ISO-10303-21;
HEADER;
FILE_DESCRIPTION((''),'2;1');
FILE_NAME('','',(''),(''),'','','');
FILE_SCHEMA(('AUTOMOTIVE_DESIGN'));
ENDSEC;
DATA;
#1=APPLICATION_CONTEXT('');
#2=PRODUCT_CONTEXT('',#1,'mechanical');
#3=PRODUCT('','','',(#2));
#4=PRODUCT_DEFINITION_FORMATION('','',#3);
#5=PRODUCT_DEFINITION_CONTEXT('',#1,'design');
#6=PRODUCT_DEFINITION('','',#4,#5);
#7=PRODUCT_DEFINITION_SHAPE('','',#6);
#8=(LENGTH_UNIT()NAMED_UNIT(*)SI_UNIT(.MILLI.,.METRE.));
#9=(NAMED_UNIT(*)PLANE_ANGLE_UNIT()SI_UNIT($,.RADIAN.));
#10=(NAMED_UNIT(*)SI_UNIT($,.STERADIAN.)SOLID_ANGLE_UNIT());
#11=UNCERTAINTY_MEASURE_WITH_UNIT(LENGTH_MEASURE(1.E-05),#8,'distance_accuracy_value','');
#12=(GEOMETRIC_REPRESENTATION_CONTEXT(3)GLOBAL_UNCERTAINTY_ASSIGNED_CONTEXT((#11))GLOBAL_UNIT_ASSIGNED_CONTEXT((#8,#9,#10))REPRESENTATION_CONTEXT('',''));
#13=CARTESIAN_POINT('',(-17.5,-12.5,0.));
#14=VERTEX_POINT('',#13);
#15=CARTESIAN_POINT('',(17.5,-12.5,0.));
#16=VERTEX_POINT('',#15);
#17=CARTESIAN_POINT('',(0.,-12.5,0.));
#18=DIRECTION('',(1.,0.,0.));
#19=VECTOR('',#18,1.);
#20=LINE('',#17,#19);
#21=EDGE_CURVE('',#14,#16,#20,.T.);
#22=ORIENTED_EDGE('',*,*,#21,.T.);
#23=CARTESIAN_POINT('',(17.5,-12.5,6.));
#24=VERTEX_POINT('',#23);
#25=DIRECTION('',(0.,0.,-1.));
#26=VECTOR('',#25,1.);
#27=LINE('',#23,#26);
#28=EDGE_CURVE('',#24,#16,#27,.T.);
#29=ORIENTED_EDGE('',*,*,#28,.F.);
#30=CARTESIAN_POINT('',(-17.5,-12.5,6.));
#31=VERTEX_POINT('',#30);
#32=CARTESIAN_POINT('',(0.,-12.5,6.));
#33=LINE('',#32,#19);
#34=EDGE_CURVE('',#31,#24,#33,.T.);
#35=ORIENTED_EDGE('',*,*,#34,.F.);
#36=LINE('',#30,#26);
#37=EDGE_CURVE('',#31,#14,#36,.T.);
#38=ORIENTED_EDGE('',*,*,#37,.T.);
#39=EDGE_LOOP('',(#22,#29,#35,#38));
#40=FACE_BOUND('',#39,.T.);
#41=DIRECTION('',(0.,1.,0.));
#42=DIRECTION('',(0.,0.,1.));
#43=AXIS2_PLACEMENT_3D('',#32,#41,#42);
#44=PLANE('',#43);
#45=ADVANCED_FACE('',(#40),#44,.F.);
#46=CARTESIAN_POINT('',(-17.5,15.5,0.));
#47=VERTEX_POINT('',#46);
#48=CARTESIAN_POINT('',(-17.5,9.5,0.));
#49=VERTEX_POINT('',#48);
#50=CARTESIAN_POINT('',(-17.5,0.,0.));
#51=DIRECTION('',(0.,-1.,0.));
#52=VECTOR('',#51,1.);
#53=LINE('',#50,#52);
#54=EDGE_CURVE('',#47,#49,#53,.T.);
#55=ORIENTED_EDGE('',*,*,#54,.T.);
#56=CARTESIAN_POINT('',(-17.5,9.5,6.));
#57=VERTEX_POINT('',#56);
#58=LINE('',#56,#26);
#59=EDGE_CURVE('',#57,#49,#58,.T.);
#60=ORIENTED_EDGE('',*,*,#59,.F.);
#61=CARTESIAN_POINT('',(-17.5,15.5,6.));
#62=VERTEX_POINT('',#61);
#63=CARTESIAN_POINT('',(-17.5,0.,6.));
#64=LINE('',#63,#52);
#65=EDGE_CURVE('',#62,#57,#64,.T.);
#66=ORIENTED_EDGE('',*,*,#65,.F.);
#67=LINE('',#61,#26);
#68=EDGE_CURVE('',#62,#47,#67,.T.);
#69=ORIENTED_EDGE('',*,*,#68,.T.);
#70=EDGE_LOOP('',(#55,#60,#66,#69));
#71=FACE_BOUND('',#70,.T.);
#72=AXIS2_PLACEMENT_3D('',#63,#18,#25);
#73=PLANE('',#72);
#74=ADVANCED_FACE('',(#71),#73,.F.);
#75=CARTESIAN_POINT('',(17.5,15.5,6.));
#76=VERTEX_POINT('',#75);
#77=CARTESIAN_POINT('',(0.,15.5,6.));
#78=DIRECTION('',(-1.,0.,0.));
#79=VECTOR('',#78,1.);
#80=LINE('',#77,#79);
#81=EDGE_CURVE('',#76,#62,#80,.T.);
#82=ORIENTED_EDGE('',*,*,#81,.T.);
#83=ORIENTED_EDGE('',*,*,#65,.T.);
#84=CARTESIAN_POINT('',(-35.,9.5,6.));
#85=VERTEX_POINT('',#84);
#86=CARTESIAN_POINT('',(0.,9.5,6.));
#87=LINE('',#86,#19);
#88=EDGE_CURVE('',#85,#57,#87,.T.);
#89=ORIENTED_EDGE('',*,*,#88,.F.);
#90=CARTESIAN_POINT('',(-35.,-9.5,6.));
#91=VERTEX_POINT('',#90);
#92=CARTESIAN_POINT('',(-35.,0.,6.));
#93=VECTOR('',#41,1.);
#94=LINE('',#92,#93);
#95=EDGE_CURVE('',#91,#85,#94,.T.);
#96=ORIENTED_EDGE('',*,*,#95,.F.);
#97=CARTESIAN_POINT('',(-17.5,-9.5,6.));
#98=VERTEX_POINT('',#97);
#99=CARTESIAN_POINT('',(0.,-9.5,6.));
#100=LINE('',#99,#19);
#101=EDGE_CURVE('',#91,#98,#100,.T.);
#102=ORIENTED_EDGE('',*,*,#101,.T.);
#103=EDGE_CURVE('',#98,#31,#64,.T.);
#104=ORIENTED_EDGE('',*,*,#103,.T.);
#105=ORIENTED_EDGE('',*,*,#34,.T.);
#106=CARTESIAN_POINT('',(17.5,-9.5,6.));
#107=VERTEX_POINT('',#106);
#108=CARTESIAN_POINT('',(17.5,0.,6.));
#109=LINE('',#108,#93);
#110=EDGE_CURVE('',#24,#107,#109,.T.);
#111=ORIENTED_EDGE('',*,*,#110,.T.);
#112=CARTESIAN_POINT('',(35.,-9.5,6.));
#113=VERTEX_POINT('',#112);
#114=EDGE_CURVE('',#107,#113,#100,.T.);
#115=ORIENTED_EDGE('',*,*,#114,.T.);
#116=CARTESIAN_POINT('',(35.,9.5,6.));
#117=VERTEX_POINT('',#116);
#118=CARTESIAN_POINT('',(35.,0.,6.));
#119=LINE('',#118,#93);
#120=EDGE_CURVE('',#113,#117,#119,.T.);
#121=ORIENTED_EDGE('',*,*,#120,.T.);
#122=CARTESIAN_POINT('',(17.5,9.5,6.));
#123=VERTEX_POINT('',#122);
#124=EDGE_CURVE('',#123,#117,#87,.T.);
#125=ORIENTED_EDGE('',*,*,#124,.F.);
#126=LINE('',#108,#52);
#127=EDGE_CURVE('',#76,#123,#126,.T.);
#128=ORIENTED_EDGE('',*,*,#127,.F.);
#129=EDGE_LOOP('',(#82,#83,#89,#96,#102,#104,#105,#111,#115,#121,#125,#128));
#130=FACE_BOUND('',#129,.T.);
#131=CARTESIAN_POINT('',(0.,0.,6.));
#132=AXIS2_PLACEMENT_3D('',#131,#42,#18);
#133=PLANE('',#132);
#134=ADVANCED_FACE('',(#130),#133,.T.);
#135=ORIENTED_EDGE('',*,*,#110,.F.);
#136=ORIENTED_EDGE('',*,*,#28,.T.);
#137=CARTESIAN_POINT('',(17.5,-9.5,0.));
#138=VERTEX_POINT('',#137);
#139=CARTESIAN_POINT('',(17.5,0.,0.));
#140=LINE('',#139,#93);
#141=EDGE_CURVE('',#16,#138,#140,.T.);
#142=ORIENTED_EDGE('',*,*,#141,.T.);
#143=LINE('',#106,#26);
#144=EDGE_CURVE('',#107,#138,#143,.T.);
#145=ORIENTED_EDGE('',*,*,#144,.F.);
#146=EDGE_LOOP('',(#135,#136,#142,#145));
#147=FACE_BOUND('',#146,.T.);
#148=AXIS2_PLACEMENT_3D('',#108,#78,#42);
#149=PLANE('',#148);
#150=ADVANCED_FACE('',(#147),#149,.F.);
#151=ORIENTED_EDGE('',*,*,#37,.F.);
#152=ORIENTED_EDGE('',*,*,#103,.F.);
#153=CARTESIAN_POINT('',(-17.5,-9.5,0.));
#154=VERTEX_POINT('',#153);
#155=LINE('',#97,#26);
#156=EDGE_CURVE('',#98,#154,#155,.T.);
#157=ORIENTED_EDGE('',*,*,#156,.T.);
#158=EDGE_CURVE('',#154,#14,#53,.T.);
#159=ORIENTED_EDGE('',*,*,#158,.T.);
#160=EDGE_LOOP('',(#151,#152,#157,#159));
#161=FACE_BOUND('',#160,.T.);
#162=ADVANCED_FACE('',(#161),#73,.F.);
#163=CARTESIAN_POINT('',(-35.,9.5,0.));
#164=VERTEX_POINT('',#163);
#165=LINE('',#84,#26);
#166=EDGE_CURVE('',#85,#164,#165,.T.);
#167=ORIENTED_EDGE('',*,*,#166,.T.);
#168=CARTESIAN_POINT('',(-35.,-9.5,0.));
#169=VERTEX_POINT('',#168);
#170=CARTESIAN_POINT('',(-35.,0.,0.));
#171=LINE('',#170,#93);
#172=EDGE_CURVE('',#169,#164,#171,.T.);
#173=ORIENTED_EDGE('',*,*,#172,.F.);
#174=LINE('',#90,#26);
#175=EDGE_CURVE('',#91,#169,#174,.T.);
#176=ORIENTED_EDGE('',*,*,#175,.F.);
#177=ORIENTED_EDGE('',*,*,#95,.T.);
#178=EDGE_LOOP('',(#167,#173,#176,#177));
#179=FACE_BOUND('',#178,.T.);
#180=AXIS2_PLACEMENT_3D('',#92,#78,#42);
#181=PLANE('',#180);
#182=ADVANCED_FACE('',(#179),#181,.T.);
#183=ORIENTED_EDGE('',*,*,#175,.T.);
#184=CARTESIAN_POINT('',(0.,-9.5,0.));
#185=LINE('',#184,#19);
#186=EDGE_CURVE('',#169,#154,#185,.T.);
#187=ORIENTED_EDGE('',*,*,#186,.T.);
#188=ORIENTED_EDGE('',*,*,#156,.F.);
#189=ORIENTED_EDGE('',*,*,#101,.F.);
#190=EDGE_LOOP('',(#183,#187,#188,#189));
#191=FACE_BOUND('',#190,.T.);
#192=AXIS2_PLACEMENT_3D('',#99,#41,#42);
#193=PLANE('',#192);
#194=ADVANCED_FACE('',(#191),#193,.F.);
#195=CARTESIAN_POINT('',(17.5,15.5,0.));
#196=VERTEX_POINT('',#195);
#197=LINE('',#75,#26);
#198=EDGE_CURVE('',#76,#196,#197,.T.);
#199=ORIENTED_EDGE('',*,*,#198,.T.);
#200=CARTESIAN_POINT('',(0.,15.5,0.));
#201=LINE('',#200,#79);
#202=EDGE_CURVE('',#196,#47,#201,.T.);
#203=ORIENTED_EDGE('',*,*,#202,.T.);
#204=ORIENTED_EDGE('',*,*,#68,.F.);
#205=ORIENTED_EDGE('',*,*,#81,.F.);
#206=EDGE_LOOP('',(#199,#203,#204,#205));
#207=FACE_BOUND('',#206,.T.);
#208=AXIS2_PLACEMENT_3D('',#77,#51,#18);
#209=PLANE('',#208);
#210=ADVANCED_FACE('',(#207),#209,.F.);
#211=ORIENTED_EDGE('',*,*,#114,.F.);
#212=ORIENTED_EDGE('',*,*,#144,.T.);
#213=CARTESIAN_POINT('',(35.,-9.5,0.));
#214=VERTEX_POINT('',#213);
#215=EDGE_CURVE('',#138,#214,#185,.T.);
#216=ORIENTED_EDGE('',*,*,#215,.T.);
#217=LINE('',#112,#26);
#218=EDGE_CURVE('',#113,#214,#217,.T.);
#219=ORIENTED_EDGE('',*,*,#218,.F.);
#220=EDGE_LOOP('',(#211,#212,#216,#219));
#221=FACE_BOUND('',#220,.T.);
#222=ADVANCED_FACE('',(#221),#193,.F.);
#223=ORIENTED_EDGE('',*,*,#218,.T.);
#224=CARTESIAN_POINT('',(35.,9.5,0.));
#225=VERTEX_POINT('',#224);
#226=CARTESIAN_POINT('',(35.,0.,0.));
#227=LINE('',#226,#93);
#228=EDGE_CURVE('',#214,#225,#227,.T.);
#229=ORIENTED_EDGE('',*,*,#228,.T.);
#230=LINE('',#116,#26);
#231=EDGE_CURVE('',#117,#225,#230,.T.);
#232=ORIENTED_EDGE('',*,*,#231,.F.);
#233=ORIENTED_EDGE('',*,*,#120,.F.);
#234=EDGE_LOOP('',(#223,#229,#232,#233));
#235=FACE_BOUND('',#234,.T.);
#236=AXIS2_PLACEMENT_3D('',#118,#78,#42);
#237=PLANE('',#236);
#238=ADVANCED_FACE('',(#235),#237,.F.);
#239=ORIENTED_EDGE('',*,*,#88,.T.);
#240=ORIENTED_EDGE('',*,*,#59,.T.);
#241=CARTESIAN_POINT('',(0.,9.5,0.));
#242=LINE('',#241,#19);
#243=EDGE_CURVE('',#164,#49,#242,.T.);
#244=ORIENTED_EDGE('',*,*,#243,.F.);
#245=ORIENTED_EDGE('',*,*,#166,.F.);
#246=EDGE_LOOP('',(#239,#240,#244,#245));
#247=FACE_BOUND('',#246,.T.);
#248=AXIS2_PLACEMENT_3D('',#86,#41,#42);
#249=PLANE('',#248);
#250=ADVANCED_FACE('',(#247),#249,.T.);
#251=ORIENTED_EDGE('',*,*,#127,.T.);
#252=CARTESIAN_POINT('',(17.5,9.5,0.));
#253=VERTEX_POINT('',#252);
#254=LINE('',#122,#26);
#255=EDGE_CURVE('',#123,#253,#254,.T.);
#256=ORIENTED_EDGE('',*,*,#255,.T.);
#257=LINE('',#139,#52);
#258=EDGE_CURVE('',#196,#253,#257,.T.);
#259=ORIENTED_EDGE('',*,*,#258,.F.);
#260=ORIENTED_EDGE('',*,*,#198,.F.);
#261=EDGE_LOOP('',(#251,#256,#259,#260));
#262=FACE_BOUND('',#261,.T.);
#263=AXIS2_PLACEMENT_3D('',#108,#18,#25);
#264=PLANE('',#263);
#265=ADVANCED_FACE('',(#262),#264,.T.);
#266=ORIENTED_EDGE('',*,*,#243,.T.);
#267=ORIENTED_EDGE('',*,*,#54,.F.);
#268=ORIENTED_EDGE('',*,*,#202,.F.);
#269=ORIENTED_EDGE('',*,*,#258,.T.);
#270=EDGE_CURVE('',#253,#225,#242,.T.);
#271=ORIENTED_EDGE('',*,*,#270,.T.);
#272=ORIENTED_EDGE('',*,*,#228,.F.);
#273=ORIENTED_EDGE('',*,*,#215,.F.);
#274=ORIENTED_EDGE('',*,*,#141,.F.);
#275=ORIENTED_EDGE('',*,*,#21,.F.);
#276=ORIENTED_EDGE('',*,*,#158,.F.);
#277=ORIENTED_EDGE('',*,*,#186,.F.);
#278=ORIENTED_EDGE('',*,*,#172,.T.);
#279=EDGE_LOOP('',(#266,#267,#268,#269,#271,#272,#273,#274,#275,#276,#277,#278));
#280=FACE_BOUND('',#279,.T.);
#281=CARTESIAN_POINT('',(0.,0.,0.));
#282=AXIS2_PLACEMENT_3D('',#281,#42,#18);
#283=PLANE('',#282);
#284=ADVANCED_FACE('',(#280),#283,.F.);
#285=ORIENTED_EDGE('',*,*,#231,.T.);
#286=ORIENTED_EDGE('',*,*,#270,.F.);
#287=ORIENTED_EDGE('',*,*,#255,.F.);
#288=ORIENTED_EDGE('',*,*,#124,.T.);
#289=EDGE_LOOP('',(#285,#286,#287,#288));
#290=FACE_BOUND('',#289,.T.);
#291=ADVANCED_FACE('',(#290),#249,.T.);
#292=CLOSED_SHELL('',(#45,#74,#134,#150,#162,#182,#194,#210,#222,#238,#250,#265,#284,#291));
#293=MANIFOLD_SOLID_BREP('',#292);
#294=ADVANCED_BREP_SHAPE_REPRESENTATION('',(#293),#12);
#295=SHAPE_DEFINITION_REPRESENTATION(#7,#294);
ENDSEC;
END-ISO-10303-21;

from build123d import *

# Parameters (mm, degrees)
ESBO_O1_W                = 70
ESBO_O1_H                = 19
ESBO_O1_W_2              = 35
ESBO_O1_H_2              = 6
ESBO_O1_H_3              = 3
RESSALTO_EXTRUS_O1_DEPTH = 6


with BuildPart() as part:
    # Esboço1 → Ressalto-extrusão1 (new body)
    with BuildSketch(Plane.XY):
        Rectangle(ESBO_O1_W, ESBO_O1_H)
        with Locations((0, 12.5)):
            Rectangle(ESBO_O1_W_2, ESBO_O1_H_2)
        with Locations((0, -11)):
            Rectangle(ESBO_O1_W_2, ESBO_O1_H_3)
    extrude(amount=RESSALTO_EXTRUS_O1_DEPTH)


solid = part.part
